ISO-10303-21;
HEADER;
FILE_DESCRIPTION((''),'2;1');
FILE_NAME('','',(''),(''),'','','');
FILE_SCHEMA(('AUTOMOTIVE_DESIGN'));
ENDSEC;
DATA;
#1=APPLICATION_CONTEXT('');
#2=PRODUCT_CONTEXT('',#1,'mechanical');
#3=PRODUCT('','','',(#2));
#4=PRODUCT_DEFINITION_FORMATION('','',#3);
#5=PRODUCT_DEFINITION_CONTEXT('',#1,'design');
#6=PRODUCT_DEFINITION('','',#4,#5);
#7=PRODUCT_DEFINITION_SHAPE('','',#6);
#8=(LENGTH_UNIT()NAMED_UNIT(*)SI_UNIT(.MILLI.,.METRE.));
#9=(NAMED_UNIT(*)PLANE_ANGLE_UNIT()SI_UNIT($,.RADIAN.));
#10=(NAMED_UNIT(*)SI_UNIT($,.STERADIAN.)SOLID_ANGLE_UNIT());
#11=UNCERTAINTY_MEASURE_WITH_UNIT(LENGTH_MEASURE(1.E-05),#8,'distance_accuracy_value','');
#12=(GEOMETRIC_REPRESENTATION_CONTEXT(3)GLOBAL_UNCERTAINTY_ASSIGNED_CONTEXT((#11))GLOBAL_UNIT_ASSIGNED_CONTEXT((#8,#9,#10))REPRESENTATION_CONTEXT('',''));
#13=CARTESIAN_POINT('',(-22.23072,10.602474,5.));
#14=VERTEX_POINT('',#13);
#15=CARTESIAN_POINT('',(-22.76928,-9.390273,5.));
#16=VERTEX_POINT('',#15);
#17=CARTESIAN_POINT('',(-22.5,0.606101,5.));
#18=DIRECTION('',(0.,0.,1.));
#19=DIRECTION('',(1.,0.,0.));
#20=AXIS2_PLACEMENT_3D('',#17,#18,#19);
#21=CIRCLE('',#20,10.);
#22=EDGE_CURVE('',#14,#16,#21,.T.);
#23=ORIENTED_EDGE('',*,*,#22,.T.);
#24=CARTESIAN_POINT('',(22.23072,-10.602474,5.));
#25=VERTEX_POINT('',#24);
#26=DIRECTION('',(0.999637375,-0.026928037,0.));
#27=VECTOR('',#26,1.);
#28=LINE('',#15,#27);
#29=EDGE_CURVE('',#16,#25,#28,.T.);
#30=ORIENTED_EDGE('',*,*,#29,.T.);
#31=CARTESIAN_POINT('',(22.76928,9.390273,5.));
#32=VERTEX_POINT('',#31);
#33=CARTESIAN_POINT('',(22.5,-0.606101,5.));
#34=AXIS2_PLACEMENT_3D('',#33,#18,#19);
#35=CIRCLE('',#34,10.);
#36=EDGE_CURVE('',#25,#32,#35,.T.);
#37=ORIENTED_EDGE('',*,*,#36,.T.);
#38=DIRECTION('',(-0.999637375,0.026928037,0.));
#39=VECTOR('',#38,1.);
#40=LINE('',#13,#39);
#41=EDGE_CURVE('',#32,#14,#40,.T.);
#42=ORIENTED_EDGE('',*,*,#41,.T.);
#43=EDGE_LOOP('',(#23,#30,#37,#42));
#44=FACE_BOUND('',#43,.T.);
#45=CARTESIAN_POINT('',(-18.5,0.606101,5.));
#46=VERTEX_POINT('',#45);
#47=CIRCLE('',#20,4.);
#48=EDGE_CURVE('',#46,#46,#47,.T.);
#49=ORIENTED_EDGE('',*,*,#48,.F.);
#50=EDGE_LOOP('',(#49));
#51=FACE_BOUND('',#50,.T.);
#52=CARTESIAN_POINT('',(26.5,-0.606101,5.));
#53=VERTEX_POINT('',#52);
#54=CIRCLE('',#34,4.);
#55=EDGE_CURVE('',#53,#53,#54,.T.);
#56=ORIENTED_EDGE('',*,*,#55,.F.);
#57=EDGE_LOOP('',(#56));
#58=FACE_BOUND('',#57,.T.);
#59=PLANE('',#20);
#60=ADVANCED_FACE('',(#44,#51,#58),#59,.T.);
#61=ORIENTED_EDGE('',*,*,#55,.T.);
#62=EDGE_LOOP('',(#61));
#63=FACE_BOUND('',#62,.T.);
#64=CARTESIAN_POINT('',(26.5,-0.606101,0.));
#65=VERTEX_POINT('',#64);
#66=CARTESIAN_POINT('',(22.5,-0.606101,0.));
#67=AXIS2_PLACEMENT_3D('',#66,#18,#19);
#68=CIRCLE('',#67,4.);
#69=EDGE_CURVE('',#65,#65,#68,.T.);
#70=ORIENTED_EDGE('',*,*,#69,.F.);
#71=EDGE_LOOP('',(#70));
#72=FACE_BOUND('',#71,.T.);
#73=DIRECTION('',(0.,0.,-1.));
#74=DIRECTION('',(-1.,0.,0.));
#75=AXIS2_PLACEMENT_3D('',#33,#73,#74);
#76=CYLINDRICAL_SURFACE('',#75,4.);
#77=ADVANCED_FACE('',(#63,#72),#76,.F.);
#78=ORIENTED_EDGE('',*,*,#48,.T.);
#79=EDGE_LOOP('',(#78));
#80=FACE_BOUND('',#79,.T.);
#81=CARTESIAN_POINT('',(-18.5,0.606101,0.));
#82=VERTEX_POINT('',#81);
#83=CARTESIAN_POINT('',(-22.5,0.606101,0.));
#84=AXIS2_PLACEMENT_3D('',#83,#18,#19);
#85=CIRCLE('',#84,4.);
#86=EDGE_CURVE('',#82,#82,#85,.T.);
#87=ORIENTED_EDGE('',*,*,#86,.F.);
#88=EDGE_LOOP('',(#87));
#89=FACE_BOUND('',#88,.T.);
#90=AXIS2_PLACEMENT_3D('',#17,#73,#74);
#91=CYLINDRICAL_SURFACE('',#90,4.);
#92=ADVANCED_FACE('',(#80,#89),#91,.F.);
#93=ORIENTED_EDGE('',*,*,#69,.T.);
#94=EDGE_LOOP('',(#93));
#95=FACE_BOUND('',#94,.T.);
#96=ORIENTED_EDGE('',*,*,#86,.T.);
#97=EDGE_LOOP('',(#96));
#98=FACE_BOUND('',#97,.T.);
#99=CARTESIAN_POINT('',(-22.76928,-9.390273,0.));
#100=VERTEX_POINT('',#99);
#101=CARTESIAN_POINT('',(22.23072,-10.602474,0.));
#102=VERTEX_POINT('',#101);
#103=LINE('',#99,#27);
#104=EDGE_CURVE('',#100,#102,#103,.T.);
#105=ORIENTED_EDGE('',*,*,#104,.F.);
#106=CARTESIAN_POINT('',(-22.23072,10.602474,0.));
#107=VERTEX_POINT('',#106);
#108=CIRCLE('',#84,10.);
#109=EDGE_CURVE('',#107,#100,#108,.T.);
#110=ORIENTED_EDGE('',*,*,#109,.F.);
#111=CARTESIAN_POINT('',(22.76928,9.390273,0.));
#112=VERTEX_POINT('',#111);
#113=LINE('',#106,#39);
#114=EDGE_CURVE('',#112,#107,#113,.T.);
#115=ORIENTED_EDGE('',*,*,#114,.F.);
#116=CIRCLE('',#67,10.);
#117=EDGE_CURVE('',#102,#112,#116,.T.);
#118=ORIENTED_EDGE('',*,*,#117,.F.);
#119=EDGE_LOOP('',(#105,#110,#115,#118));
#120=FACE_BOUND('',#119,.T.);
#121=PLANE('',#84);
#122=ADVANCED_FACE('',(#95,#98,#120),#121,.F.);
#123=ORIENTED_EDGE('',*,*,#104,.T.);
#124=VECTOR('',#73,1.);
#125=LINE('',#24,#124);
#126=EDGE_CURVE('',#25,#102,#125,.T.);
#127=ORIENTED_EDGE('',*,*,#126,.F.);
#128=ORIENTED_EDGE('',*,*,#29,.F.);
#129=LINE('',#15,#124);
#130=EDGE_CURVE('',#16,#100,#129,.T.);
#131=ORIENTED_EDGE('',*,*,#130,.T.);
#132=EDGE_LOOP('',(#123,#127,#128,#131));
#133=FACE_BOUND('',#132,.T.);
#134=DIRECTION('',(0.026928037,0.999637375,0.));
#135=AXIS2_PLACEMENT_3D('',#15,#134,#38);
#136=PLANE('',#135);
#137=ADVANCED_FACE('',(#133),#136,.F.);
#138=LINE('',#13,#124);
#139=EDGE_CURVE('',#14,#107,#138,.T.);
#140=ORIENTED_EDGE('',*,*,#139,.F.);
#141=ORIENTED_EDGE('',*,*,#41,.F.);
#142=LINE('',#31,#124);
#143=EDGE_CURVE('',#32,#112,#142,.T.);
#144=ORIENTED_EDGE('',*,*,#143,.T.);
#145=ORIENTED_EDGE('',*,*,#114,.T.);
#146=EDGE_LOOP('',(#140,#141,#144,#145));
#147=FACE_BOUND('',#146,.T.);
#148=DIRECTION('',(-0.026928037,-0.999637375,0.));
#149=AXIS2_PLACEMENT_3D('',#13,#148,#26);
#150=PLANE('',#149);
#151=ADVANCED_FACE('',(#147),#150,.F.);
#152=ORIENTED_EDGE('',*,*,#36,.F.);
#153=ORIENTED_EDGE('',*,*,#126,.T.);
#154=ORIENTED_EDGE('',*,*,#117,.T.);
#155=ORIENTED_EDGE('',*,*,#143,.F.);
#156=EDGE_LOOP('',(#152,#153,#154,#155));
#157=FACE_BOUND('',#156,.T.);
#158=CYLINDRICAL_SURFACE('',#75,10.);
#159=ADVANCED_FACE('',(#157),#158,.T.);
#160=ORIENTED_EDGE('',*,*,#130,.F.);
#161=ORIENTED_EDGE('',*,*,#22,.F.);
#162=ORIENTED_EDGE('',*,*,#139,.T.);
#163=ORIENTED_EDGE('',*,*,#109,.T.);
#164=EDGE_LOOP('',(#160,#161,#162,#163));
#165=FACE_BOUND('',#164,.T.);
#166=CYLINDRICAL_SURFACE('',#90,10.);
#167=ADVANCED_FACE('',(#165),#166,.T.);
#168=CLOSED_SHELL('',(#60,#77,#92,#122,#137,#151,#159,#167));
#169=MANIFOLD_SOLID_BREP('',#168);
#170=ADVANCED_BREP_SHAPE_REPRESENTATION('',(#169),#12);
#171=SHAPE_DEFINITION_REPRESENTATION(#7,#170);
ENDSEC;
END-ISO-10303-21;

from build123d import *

# Parameters (mm, degrees)
SKETCH1_R           = 4
BOSS_EXTRUDE1_DEPTH = 5


with BuildPart() as part:
    # Sketch1 → Boss-Extrude1 (new body)
    with BuildSketch(Plane.XY):
        with BuildLine():
            Line((-22.23071963, 10.602474367), (22.76928037, 9.390273126))
            ThreePointArc((22.76928037, 9.390273126), (32.496373747, -0.875380991), (22.23071963, -10.602474367))
            Line((22.23071963, -10.602474367), (-22.76928037, -9.390273126))
            ThreePointArc((-22.76928037, -9.390273126), (-32.496373747, 0.875380991), (-22.23071963, 10.602474367))
        make_face()
        with Locations((22.5, -0.606100621)):
            Circle(SKETCH1_R, mode=Mode.SUBTRACT)
        with Locations((-22.5, 0.606100621)):
            Circle(SKETCH1_R, mode=Mode.SUBTRACT)
    extrude(amount=BOSS_EXTRUDE1_DEPTH)


solid = part.part
